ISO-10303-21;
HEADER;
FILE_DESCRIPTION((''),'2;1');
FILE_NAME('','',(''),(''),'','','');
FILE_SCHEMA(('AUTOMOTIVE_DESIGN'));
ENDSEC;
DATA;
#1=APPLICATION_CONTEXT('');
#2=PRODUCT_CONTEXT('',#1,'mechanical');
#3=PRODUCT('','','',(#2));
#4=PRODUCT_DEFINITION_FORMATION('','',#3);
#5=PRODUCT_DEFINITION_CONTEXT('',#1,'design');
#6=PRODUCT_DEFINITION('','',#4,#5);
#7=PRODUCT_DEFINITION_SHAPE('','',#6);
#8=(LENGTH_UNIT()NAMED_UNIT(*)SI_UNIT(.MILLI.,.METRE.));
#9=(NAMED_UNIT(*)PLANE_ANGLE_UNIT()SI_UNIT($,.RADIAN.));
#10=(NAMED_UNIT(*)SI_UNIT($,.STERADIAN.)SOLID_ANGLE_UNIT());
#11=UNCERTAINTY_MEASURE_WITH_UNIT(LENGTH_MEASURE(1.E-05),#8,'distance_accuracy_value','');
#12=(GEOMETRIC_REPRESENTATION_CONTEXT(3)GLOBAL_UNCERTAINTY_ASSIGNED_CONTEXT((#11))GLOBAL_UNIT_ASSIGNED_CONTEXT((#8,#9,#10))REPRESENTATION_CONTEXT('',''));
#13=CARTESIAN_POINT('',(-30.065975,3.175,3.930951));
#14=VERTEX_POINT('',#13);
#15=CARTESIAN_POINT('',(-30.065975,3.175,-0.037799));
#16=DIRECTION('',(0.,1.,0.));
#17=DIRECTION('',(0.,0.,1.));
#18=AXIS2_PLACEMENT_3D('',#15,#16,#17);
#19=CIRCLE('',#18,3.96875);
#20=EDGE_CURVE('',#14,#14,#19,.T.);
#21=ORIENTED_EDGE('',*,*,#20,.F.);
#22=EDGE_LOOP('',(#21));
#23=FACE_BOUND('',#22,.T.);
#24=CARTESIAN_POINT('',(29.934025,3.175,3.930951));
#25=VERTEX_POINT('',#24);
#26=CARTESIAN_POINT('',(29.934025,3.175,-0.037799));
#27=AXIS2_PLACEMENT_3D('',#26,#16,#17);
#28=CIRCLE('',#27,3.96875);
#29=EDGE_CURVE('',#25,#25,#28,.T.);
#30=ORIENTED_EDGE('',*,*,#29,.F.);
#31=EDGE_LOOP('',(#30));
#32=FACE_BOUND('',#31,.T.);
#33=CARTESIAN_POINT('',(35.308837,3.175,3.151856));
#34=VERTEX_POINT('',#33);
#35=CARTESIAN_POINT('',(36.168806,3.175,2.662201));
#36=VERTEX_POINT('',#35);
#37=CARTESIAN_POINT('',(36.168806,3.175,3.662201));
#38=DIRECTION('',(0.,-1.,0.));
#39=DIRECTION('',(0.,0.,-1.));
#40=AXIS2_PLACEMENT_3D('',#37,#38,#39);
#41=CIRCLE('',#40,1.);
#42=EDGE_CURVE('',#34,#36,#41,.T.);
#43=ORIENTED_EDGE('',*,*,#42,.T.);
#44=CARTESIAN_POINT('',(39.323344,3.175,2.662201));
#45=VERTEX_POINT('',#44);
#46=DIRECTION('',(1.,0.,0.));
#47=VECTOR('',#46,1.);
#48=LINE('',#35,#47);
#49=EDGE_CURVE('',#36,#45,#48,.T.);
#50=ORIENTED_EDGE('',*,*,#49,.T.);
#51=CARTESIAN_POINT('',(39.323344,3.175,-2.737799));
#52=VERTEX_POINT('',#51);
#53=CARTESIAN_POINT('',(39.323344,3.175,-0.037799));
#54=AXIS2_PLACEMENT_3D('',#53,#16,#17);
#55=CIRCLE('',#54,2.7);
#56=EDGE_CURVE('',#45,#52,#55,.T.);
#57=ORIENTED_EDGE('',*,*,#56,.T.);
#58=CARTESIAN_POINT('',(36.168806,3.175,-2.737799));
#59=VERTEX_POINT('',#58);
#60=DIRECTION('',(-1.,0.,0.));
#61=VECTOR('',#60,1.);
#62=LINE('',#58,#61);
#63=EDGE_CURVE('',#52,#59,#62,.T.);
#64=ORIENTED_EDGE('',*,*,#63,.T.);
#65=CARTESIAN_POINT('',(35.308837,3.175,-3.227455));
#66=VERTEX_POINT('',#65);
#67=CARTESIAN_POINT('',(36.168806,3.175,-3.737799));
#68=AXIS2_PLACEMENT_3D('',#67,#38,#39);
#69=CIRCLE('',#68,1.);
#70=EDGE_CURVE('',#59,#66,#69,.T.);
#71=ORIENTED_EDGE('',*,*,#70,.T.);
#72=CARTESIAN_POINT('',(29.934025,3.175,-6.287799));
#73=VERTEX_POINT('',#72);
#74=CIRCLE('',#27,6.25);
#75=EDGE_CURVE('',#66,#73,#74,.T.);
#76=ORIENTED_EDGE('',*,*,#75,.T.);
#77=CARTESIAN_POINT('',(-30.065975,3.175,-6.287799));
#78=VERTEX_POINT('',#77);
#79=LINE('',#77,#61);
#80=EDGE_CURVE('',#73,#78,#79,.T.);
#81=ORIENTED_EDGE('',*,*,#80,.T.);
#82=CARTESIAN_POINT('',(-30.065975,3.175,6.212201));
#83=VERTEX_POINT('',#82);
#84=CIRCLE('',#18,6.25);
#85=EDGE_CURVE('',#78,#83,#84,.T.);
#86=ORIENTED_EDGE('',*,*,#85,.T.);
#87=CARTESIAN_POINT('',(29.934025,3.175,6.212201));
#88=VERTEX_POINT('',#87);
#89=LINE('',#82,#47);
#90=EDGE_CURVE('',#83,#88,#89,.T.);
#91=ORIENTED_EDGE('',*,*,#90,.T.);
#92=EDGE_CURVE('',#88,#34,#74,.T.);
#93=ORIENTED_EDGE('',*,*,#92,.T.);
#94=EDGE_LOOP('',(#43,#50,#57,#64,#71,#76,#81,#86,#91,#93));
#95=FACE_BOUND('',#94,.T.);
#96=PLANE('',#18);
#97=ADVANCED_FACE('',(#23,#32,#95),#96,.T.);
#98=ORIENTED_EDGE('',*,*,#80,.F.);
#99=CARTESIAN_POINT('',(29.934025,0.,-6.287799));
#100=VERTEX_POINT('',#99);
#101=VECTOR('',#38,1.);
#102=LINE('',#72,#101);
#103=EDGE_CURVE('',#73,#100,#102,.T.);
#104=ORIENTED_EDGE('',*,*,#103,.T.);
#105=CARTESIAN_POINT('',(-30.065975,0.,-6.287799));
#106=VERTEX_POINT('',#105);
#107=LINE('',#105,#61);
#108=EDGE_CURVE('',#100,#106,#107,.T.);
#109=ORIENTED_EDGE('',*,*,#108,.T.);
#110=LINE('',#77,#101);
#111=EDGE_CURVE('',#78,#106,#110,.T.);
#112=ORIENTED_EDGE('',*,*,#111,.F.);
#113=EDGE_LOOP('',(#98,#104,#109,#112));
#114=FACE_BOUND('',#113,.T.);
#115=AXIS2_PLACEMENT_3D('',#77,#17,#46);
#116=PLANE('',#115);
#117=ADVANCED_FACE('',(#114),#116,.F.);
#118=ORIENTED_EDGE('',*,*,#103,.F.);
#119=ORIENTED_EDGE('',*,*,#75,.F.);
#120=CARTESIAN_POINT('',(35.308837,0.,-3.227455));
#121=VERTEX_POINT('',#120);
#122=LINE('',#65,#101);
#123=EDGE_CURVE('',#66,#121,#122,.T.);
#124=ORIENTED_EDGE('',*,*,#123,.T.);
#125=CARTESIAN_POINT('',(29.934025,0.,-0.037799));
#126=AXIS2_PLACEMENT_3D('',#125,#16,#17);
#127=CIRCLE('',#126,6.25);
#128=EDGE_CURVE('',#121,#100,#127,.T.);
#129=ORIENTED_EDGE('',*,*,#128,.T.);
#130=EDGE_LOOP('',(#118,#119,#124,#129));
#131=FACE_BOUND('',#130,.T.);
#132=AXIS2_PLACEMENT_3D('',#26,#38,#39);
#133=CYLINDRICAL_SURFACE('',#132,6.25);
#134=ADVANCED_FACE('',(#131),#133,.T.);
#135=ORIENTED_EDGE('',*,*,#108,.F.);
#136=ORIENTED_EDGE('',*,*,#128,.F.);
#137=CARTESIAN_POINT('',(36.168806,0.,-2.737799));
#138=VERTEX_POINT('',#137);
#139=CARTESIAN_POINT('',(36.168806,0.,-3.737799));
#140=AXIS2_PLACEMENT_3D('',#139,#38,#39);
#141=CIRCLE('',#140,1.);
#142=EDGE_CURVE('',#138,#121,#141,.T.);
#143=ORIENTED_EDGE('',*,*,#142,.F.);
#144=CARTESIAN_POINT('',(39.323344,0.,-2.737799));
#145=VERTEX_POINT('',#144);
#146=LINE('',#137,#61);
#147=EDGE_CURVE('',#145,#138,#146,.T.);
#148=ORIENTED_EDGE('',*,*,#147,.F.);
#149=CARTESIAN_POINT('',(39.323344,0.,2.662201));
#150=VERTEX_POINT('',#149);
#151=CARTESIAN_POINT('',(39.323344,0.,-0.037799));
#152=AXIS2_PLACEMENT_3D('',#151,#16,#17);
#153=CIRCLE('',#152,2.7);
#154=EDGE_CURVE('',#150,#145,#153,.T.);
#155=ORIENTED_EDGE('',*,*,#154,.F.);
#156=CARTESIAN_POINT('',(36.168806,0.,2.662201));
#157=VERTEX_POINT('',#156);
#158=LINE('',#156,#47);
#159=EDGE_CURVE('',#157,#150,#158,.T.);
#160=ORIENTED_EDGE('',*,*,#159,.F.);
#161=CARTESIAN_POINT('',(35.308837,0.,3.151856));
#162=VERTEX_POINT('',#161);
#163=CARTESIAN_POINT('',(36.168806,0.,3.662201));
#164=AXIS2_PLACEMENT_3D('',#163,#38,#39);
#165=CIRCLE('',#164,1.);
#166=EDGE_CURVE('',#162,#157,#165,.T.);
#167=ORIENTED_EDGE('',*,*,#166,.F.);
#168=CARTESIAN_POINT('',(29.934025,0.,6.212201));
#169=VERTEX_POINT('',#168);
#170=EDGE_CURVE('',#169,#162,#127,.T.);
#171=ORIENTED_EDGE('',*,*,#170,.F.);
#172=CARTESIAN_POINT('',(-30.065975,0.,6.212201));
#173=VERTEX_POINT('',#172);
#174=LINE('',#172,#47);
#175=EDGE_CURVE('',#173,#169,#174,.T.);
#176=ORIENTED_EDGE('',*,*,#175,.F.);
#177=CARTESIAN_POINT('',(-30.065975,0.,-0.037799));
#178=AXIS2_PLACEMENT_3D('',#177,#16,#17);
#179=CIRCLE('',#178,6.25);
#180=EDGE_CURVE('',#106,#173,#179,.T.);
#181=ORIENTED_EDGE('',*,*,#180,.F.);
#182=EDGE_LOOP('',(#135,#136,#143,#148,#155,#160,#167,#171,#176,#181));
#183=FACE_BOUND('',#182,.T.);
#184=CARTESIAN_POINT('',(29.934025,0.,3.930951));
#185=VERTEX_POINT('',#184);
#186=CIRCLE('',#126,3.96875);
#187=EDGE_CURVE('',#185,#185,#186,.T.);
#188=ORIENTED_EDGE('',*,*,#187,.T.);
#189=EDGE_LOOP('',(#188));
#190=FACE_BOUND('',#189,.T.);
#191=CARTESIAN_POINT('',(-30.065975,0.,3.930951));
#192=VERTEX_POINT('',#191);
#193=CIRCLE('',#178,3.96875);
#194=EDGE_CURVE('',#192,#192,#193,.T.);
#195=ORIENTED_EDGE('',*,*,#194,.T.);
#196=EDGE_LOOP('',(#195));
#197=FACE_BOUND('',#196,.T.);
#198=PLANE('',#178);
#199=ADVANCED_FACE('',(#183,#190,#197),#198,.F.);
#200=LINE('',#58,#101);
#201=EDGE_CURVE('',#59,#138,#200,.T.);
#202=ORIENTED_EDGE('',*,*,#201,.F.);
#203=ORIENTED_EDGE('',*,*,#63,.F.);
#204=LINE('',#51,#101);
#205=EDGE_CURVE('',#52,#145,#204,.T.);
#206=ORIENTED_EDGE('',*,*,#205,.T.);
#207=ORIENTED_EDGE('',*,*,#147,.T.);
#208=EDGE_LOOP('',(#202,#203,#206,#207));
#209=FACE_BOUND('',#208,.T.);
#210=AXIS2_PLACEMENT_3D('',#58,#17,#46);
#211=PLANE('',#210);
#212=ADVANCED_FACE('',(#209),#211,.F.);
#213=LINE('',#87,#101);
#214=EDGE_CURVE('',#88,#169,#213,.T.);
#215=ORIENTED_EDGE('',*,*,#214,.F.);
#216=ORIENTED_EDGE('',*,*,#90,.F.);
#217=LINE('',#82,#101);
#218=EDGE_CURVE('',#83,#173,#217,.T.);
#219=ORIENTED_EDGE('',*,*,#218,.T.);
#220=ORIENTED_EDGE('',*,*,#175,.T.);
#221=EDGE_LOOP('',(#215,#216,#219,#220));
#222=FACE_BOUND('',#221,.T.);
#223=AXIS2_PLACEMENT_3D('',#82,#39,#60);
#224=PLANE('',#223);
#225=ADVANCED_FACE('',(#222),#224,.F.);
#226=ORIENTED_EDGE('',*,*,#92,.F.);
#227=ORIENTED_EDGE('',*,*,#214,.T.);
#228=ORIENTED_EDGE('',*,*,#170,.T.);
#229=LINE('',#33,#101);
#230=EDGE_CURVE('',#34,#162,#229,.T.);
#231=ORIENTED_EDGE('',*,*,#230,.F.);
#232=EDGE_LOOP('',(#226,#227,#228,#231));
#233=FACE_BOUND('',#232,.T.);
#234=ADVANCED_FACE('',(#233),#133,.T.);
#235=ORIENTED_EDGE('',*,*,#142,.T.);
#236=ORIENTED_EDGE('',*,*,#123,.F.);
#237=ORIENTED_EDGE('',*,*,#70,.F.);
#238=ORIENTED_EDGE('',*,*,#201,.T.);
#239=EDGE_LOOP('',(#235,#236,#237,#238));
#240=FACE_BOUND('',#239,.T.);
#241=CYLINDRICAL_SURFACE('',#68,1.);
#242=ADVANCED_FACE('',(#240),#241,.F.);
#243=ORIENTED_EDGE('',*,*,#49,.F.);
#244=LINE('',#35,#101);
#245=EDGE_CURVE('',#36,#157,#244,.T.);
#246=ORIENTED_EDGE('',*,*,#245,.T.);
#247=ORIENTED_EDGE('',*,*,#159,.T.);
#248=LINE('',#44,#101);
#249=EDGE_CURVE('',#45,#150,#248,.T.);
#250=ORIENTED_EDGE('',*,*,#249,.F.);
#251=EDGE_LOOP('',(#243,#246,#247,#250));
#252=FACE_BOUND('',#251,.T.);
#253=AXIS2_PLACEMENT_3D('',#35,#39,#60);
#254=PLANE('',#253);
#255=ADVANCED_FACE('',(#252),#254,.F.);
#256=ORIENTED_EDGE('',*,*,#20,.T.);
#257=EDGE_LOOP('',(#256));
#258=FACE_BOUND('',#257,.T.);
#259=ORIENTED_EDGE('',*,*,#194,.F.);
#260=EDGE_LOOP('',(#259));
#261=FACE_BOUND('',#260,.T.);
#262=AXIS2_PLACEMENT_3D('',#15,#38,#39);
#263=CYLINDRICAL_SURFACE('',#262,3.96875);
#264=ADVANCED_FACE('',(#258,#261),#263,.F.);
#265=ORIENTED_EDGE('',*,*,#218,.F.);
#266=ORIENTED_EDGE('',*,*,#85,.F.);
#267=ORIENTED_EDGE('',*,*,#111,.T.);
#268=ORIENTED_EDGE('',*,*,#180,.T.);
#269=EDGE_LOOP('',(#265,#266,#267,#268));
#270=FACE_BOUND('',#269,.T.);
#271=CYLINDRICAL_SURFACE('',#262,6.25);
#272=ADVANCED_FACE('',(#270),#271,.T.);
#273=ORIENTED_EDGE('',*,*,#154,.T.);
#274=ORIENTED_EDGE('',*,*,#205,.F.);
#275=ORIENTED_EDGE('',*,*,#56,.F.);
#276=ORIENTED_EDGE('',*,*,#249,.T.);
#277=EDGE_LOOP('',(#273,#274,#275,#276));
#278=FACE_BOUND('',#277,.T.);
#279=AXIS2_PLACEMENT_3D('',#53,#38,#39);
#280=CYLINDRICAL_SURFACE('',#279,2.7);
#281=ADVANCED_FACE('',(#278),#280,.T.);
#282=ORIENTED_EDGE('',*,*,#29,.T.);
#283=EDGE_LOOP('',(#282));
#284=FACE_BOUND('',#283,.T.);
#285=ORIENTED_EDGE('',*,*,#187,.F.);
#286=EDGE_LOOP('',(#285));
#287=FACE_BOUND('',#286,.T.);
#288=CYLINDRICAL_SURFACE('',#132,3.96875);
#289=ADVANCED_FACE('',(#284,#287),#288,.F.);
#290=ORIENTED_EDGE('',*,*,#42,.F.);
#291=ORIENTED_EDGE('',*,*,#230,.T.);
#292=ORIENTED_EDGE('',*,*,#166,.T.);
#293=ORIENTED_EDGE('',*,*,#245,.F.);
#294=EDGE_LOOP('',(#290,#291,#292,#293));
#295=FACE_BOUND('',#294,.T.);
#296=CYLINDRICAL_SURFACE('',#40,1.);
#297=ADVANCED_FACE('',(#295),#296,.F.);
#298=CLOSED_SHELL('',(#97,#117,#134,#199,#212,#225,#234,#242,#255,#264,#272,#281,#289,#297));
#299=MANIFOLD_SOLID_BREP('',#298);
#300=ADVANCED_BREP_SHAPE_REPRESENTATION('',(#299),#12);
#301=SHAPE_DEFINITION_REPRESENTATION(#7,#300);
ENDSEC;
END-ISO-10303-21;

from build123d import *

# Parameters (mm, degrees)
SKETCH1_R           = 3.96875
BOSS_EXTRUDE1_DEPTH = 3.175


with BuildPart() as part:
    # Sketch1 → Boss-Extrude1 (new body)
    with BuildSketch(Plane(origin=(0, 0, 0), x_dir=(1, 0, 0), z_dir=(0, 1, 0))):
        with BuildLine():
            Line((-30.06597498, 6.287799421), (29.93402502, 6.287799421))
            ThreePointArc((29.93402502, 6.287799421), (33.02652847, 5.469090466), (35.308836634, 3.227454594))
            ThreePointArc((35.308836634, 3.227454594), (35.67400594, 2.868792854), (36.168806492, 2.737799421))
            Line((36.168806492, 2.737799421), (39.323343513, 2.737799421))
            ThreePointArc((39.323343513, 2.737799421), (42.023343513, 0.037799421), (39.323343513, -2.662200579))
            Line((39.323343513, -2.662200579), (36.168806492, -2.662200579))
            ThreePointArc((36.168806492, -2.662200579), (35.67400594, -2.793194011), (35.308836634, -3.151855751))
            ThreePointArc((35.308836634, -3.151855751), (33.02652847, -5.393491623), (29.93402502, -6.212200579))
            Line((29.93402502, -6.212200579), (-30.06597498, -6.212200579))
            ThreePointArc((-30.06597498, -6.212200579), (-36.31597498, 0.037799421), (-30.06597498, 6.287799421))
        make_face()
        with Locations(Location((-30.06597498, 0.037799421, 0), (0, 0, 270))):
            Circle(SKETCH1_R, mode=Mode.SUBTRACT)
        with Locations(Location((29.93402502, 0.037799421, 0), (0, 0, 270))):
            Circle(SKETCH1_R, mode=Mode.SUBTRACT)
    extrude(amount=BOSS_EXTRUDE1_DEPTH)


solid = part.part
